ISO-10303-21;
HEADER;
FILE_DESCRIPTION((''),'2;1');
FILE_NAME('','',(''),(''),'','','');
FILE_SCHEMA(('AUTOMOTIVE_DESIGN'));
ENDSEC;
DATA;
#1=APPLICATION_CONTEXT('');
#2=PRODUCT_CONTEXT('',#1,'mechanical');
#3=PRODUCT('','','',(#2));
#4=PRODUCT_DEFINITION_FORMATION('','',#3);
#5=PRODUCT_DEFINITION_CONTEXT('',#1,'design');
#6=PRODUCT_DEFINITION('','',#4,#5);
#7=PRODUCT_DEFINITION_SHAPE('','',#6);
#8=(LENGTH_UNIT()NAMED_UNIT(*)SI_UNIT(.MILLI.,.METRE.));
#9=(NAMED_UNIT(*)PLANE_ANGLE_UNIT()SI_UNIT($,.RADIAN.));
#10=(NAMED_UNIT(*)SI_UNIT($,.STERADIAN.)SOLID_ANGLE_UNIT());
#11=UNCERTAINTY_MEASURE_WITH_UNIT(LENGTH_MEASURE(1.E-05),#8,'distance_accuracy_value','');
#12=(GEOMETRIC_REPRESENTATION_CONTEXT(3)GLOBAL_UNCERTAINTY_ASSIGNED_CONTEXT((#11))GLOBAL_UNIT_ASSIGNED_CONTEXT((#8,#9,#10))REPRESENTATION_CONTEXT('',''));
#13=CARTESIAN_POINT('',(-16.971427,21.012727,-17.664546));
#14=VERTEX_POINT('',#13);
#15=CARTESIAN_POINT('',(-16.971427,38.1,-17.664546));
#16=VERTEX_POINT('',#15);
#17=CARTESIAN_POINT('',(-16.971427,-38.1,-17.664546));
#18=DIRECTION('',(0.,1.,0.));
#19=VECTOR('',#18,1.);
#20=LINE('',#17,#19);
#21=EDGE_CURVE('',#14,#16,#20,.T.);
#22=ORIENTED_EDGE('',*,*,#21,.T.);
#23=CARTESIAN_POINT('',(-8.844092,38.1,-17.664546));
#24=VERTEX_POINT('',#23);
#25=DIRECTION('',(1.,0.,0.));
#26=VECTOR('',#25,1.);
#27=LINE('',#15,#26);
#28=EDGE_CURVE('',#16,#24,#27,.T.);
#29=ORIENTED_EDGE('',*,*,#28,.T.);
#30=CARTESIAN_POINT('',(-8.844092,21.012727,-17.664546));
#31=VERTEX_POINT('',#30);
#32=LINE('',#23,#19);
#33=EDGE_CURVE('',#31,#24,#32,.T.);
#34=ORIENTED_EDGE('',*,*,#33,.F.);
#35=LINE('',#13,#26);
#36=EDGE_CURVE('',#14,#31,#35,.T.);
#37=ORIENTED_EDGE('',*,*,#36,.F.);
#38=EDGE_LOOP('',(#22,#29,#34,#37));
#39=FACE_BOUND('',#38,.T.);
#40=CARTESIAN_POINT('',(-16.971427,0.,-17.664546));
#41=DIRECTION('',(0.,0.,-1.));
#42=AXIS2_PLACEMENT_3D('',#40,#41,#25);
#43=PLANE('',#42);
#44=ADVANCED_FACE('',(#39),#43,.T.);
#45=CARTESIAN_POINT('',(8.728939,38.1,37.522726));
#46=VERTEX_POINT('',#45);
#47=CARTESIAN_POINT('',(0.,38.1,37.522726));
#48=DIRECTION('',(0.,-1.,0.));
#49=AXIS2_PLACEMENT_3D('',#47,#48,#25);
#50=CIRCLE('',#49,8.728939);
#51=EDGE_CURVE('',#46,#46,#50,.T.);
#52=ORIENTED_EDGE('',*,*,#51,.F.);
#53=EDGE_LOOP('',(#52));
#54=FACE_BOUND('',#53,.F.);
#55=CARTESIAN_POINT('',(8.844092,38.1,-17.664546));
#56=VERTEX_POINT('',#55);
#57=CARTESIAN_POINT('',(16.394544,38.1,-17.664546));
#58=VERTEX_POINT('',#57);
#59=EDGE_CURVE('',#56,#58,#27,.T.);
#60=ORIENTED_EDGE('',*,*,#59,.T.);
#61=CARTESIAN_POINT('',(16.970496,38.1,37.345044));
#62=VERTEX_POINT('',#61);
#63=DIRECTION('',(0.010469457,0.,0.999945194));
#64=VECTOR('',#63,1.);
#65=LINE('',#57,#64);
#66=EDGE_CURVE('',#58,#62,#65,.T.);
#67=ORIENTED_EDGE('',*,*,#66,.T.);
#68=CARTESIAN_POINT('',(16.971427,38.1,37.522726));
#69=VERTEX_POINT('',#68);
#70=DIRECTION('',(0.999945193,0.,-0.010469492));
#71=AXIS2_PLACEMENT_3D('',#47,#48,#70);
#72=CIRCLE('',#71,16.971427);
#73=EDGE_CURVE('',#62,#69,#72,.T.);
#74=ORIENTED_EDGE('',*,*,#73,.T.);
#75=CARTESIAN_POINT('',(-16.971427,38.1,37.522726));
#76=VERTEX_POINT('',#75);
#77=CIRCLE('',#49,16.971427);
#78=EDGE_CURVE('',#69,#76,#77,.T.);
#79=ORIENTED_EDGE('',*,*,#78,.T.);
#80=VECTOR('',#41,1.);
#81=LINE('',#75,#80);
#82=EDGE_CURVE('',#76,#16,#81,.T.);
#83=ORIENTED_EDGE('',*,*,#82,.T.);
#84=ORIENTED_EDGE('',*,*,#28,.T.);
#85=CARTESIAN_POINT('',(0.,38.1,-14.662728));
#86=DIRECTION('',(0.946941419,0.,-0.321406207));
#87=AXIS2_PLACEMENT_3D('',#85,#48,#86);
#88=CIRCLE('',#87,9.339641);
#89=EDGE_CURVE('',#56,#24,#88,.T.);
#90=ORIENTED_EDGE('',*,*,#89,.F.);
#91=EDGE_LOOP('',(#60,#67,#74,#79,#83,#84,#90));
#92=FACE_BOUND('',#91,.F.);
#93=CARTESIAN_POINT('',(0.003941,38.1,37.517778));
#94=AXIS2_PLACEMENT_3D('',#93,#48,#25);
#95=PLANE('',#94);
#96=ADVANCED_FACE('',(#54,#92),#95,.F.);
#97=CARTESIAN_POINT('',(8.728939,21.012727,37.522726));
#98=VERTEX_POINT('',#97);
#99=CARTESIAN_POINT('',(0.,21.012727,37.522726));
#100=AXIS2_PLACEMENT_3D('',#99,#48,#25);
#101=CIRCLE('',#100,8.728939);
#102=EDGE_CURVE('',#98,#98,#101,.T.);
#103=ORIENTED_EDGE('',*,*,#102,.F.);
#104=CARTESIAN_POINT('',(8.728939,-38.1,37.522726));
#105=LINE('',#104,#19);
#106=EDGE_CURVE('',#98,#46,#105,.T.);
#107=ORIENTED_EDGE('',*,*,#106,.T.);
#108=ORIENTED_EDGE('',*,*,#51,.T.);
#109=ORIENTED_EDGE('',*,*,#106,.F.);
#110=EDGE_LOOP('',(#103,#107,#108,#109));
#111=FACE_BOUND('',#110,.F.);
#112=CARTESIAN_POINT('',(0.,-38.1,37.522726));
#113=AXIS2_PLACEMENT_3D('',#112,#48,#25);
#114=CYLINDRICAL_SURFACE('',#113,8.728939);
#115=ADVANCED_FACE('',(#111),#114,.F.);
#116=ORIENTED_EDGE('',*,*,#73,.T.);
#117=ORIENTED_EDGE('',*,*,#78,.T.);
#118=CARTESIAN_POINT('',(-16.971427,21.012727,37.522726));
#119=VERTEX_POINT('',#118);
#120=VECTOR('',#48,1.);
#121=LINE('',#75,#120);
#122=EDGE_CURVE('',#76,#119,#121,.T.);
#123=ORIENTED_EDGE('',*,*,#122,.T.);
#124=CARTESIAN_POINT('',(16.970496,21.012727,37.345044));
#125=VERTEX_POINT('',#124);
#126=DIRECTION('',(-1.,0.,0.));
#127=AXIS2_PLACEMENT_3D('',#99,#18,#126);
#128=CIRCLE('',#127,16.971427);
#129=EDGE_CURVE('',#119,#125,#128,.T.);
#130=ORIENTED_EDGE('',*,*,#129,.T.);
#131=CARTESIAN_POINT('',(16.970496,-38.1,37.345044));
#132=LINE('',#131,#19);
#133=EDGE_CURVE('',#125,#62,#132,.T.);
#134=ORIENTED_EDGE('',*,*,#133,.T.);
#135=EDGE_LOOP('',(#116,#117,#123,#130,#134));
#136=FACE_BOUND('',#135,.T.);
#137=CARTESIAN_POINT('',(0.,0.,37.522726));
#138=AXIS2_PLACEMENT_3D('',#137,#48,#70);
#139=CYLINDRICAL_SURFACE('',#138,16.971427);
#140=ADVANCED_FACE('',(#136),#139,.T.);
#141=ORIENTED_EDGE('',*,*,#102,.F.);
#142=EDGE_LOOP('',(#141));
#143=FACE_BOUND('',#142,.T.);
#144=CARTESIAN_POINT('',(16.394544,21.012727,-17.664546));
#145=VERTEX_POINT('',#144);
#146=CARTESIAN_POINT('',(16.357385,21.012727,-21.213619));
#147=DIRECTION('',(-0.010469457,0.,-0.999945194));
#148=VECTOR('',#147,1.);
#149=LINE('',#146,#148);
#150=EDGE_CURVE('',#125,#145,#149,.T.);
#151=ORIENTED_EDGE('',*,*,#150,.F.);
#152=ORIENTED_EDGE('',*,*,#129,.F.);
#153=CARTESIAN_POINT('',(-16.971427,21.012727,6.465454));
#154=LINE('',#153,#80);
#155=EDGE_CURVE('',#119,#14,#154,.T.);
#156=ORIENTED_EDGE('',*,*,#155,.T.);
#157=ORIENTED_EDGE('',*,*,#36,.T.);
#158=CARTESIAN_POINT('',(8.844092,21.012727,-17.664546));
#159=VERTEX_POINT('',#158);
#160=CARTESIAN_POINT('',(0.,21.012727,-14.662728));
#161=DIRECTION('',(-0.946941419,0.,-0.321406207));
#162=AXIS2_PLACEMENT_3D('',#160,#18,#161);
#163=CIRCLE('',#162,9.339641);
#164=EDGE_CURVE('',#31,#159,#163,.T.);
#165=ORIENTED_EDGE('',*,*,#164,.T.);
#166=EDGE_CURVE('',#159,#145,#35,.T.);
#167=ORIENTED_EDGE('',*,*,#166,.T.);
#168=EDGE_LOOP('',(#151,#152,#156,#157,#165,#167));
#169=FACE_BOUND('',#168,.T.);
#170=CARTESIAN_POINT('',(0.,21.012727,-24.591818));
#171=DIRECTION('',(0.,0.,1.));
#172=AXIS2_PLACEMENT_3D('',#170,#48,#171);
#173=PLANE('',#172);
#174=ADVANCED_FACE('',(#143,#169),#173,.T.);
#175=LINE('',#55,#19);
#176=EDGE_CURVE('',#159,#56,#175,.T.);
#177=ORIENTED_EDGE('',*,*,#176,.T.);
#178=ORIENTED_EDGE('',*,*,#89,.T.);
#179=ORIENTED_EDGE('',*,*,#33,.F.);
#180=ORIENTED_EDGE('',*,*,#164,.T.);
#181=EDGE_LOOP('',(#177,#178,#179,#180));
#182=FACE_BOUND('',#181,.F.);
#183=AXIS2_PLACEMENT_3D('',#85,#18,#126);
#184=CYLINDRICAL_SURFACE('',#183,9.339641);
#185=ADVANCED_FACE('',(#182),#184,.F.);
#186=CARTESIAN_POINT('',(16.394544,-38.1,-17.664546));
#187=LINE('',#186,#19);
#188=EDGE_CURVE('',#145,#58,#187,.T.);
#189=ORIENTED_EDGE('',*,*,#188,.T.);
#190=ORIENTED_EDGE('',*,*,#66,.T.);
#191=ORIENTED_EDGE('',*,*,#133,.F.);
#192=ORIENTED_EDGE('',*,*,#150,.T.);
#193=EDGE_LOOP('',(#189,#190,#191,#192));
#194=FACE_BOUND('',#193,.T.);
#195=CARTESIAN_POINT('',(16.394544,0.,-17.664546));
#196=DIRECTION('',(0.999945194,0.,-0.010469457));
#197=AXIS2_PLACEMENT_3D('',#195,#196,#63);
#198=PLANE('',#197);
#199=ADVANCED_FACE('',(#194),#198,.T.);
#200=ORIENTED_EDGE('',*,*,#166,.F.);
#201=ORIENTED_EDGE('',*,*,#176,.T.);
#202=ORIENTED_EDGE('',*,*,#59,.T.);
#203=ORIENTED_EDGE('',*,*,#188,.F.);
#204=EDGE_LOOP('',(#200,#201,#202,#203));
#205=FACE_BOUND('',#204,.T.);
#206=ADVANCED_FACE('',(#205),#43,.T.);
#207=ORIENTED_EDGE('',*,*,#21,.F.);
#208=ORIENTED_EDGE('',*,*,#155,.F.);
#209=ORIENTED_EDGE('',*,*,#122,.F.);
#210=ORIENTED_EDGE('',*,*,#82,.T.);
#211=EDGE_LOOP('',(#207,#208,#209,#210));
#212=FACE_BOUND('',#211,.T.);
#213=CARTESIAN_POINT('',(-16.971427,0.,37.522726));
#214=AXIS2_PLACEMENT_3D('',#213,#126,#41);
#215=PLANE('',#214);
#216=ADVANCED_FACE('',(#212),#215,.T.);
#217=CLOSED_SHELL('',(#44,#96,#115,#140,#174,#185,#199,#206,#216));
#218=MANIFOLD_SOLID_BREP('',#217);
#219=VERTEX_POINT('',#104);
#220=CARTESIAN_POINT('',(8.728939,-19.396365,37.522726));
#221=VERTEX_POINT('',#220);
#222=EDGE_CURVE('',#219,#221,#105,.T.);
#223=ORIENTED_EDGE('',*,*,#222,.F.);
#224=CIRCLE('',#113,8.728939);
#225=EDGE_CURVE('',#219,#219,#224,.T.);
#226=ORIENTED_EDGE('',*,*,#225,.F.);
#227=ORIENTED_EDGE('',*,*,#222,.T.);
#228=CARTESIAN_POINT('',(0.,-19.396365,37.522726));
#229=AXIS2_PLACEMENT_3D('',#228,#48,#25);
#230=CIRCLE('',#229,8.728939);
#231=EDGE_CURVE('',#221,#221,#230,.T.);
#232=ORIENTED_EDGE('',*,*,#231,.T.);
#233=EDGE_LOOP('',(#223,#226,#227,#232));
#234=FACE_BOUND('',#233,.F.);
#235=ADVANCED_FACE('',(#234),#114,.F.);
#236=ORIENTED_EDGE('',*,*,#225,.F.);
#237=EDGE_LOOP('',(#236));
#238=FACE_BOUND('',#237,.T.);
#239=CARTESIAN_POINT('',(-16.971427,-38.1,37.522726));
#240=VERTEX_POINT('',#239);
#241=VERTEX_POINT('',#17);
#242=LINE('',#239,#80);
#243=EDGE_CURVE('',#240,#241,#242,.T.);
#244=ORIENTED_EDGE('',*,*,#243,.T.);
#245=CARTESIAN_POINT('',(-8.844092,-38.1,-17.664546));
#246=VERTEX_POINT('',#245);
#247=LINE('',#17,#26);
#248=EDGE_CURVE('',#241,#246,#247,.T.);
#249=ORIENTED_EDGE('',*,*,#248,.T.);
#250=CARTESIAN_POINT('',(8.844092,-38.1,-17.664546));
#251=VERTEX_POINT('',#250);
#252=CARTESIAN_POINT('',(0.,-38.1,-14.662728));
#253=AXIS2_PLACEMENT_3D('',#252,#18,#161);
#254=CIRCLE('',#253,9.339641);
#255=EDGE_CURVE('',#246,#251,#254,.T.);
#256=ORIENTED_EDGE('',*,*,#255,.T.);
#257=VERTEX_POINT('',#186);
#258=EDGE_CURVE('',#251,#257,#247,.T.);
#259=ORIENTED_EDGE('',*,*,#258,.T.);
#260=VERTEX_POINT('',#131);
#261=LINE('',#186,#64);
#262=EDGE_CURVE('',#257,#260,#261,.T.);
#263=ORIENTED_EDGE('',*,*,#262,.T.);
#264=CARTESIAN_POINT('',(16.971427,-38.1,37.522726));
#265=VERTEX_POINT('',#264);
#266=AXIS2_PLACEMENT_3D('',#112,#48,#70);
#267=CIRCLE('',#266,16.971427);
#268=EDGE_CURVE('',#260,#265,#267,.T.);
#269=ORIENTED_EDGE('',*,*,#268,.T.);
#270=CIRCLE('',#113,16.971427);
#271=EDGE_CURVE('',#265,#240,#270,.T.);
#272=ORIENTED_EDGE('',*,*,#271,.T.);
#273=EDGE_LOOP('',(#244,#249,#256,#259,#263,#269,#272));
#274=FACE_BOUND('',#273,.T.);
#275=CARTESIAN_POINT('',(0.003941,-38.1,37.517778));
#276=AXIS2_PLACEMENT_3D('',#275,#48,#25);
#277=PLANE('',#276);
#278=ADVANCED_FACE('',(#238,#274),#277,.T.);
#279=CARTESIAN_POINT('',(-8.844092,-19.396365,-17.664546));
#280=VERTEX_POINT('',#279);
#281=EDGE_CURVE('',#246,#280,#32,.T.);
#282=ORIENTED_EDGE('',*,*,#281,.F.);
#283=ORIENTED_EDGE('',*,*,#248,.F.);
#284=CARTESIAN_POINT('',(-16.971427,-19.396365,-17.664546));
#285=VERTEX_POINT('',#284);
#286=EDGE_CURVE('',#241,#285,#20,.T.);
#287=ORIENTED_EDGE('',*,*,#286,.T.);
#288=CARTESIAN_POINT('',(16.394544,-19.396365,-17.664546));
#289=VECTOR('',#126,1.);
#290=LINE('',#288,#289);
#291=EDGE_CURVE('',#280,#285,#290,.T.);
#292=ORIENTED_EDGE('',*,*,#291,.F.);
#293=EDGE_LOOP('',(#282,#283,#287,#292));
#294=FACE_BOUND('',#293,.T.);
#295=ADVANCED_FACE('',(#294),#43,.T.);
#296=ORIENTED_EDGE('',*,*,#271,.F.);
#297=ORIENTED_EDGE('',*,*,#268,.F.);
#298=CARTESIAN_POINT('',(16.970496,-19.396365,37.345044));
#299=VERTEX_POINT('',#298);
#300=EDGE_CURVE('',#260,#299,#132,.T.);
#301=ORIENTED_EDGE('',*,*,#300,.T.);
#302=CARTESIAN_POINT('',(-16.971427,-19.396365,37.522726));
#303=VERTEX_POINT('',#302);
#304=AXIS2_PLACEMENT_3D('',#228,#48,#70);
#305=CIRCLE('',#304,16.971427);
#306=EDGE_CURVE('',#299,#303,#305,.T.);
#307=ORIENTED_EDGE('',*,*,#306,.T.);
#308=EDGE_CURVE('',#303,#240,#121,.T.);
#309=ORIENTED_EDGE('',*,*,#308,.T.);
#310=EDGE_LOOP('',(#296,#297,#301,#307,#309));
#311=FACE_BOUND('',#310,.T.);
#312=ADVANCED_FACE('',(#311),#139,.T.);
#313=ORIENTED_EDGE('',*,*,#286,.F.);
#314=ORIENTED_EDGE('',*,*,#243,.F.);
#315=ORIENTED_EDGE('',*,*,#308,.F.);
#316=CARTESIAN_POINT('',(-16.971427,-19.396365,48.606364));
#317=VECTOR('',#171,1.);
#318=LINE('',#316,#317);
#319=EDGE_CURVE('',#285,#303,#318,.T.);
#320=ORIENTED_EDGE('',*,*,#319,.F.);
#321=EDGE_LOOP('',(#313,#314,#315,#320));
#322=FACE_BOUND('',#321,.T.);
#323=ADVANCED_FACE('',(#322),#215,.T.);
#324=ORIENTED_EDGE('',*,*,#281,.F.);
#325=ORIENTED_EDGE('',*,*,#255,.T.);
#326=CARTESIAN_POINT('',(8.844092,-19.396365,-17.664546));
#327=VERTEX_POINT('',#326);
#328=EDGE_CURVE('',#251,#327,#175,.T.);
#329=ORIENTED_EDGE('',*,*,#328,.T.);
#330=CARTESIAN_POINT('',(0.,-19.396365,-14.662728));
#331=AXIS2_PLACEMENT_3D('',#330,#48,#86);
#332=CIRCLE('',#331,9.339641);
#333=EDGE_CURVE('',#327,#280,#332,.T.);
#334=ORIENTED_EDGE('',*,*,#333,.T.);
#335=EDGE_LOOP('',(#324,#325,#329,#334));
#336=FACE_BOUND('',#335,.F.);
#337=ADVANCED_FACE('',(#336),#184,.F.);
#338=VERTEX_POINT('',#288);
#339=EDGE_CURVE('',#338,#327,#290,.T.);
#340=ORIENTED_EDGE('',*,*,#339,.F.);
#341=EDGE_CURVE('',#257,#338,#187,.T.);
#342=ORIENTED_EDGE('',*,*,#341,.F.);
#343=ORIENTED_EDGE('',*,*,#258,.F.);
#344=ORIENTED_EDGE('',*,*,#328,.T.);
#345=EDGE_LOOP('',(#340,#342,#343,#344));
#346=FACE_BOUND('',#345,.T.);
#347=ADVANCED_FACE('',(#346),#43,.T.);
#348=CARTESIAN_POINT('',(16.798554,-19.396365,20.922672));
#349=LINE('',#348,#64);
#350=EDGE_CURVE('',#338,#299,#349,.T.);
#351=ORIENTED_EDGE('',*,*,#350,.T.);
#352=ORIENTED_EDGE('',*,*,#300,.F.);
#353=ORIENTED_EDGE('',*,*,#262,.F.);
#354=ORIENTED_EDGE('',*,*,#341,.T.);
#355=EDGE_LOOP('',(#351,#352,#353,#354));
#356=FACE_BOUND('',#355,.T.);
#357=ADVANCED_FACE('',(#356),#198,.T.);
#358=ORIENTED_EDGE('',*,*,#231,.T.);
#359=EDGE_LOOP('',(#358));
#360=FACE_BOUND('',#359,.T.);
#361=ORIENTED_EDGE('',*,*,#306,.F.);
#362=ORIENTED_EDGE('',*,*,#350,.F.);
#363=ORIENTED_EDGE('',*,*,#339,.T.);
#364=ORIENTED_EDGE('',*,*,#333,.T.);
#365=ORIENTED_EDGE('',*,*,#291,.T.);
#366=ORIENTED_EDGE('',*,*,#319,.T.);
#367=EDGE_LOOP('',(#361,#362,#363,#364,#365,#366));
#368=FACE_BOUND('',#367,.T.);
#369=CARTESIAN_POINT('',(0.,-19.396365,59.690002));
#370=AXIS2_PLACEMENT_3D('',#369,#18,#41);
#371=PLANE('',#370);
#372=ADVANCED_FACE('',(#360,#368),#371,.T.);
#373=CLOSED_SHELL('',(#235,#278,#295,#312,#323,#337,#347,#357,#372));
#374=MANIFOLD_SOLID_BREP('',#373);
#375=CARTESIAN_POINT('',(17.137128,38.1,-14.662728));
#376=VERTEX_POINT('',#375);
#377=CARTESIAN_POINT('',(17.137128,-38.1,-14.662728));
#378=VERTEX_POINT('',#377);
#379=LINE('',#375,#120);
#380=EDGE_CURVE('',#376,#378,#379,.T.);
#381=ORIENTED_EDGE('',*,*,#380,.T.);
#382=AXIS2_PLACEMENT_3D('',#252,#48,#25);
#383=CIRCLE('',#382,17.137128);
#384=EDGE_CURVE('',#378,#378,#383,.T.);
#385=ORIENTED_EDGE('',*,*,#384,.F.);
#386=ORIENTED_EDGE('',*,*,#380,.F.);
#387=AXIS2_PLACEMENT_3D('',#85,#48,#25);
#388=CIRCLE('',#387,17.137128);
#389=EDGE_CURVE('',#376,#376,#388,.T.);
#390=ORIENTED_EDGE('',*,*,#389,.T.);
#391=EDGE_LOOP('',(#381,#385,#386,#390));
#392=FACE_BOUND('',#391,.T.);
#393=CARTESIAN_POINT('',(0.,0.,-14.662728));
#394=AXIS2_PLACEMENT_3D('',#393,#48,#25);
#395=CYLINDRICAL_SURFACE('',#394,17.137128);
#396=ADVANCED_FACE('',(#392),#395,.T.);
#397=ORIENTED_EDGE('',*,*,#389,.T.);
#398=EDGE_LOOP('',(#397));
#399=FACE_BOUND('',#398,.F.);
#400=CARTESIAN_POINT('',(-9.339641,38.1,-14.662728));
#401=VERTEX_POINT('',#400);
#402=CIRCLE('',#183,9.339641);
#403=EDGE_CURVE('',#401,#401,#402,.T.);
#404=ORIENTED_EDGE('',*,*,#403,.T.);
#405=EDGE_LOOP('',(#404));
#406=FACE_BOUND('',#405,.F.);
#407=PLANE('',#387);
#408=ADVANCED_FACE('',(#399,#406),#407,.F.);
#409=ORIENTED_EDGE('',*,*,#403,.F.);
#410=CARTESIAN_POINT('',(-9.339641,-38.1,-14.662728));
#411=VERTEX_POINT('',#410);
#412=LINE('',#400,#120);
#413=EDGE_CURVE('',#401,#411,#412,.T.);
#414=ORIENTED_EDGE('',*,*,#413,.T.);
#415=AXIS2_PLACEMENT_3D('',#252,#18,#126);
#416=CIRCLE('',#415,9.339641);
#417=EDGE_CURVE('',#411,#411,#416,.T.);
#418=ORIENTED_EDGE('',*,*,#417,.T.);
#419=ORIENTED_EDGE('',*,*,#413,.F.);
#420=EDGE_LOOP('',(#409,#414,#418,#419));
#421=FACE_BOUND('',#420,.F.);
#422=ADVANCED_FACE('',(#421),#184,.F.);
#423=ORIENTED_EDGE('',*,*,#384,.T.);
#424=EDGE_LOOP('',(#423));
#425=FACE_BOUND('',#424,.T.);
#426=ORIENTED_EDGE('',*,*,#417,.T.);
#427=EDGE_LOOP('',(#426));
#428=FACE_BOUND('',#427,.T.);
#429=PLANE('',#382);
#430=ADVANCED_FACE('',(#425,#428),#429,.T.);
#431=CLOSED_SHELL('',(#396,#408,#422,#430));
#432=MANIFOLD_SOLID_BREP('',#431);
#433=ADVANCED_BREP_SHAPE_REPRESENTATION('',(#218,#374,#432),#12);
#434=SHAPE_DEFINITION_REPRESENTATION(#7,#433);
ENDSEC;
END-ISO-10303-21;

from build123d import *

# Parameters (mm, degrees)
F1_DEPTH      = 38.1
F1_DEPTH_BACK = 38.1
F3_DEPTH      = 16.9724266167
F3_DEPTH_BACK = 16.9724266167
F4_R          = 17.1371283182
F5_DEPTH      = 38.1
F5_DEPTH_BACK = 38.1
F6_R          = 9.3396405189
F7_DEPTH      = 76.201
F8_R          = 8.7289393375
F9_DEPTH      = 76.201


with BuildPart() as f1:
    # F0 (on Front) → F1 (new body, two sides)
    with BuildSketch(Plane.XZ) as f1_sk:
        with BuildLine():
            ThreePointArc((16.9704964699, 37.3450435441), (16.9711940784, 37.4338834352), (16.9714266167, 37.5227257609))
            ThreePointArc((16.9714266167, 37.5227257609), (0, 54.4941523776), (-16.9714266167, 37.5227257609))
            ThreePointArc((-16.9714266167, 37.5227257609), (-0.0888423257, 20.5515316826), (16.9704964699, 37.3450435441))
        make_face()
        with BuildLine():
            ThreePointArc((16.9704964699, 37.3450435441), (-0.0888423257, 20.5515316826), (-16.9714266167, 37.5227257609))
            Line((-16.9714266167, 37.5227257609), (-16.9714266167, -17.664546147))
            Line((-16.9714266167, -17.664546147), (16.3945443928, -17.664546147))
            Line((16.3945443928, -17.664546147), (16.9704964699, 37.3450435441))
        make_face()
    extrude(amount=F1_DEPTH)
    extrude(f1_sk.sketch, amount=-F1_DEPTH_BACK)

    # F2 (on Right) → F3 (cut, two sides)
    with BuildSketch(Plane.YZ) as f3_sk:
        Polygon((21.0127271712, 62.691822648), (-19.3963646889, 59.690002352), (-19.3963646889, -24.5918184519), (21.0127271712, -24.5918184519), align=None)
    extrude(amount=F3_DEPTH, mode=Mode.SUBTRACT)
    extrude(f3_sk.sketch, amount=-F3_DEPTH_BACK, mode=Mode.SUBTRACT)


with BuildPart() as f5:
    # F4 (on Front) → F5 (new body, two sides)
    with BuildSketch(Plane.XZ) as f5_sk:
        with Locations((0, -14.6627277136)):
            Circle(F4_R)
    extrude(amount=F5_DEPTH)
    extrude(f5_sk.sketch, amount=-F5_DEPTH_BACK)


with BuildPart() as f7_tool:
    # F6 (on face) → F7 (new body, through all)
    with BuildSketch(Plane(origin=(0, 38.1, 0), x_dir=(-1, 0, 0), z_dir=(0, 1, 0))):
        with Locations((0, -14.6627277136)):
            Circle(F6_R)
    extrude(amount=-F7_DEPTH)


with BuildPart() as f1_1:
    add(f1.part)

    # F7: cut by f7_tool
    add(f7_tool.part, mode=Mode.SUBTRACT)

    # F8 (on face) → F9 (cut, through all)
    with BuildSketch(Plane.XZ.offset(38.1)):
        with Locations((0, 37.5227257609)):
            Circle(F8_R)
    extrude(amount=-F9_DEPTH, mode=Mode.SUBTRACT)


with BuildPart() as f5_1:
    add(f5.part)

    # F7: cut by f7_tool
    add(f7_tool.part, mode=Mode.SUBTRACT)


solid = Compound([f1_1.part, f5_1.part])
